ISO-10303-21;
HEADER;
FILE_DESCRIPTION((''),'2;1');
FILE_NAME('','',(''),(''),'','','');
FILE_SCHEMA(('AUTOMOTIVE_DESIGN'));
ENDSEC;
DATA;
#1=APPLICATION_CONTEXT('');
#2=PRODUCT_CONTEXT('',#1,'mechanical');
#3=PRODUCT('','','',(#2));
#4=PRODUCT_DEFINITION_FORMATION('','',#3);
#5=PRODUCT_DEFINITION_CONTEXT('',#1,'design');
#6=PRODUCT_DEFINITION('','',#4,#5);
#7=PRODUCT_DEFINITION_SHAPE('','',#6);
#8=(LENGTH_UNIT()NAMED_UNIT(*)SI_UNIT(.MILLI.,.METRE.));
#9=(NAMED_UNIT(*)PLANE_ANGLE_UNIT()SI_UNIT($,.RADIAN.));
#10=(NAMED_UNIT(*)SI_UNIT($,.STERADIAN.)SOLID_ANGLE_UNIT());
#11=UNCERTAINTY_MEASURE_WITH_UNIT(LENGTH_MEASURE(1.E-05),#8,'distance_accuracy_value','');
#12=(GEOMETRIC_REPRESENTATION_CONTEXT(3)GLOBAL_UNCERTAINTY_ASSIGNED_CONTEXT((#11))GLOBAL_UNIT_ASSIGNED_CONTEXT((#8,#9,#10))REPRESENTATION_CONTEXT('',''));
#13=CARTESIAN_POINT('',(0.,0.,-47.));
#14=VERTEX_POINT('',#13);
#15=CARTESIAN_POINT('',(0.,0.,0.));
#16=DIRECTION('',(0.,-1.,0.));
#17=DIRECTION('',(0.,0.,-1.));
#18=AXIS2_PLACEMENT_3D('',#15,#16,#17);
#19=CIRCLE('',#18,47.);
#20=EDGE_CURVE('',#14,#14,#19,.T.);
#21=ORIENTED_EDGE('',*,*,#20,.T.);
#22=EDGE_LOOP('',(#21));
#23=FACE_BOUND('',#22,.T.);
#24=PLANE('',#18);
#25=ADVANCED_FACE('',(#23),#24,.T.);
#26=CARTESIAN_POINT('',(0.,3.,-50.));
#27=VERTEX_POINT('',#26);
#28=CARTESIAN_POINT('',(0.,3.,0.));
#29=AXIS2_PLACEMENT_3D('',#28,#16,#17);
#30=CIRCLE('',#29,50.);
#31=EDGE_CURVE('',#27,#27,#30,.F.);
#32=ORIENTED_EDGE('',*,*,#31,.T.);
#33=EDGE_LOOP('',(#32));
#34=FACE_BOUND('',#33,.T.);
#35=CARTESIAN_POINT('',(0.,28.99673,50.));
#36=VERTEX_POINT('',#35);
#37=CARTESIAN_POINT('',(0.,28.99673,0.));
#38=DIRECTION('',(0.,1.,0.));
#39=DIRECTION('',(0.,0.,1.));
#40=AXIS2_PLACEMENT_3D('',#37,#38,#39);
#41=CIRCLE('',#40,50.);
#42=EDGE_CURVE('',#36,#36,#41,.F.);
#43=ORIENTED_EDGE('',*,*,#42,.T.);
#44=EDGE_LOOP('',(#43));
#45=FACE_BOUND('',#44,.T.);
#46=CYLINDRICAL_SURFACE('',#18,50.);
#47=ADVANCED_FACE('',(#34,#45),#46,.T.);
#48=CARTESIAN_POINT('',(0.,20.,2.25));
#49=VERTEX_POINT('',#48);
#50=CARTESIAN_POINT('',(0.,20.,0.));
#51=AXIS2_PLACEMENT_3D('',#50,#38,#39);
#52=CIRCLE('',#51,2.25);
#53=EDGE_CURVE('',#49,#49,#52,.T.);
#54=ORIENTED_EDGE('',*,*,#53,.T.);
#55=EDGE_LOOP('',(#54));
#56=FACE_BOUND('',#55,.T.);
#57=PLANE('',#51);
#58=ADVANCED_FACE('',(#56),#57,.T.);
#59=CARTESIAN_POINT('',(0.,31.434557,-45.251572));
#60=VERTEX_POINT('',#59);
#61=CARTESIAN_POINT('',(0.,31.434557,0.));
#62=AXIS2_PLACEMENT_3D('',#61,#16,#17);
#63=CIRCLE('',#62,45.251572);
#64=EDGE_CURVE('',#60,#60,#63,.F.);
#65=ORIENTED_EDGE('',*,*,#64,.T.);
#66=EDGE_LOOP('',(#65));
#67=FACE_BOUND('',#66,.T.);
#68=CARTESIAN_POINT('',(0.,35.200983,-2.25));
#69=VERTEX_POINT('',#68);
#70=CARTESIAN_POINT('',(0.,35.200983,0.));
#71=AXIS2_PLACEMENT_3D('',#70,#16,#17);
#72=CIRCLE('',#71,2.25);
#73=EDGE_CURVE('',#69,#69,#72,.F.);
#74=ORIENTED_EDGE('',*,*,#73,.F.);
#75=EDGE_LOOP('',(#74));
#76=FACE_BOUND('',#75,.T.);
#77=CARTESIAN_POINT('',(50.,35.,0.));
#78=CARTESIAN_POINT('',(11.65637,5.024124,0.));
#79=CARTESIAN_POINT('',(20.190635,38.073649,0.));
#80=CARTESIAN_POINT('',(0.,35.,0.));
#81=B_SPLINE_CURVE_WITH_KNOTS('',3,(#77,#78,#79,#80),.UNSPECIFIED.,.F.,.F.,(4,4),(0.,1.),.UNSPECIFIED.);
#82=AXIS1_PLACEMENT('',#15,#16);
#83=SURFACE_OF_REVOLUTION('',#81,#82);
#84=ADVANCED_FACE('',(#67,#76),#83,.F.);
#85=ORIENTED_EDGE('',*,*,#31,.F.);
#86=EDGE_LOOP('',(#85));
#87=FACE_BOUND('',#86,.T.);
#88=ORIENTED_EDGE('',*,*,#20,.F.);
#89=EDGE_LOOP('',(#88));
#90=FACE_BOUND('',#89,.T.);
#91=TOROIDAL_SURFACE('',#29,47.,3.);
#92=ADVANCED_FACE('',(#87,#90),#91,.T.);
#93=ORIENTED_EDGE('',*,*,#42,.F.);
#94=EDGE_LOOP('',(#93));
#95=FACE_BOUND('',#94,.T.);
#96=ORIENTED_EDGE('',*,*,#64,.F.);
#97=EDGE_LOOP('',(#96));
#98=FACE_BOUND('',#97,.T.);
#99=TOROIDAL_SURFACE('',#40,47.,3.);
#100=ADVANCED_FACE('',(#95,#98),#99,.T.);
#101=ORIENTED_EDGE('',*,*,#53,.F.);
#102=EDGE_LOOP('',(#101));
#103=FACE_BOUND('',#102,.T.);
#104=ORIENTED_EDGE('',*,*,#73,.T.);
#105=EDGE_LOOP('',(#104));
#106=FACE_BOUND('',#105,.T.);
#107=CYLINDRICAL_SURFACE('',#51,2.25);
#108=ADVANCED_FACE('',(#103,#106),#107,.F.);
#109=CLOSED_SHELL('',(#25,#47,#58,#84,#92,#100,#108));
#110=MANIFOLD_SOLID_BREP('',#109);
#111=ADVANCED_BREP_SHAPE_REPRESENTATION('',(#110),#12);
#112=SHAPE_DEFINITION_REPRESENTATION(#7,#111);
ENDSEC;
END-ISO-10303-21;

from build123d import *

# Parameters (mm, degrees)
FILLET1_R          = 3
SKETCH2_R          = 2.25
CUT_EXTRUDE1_DEPTH = 30


with BuildPart() as part:
    # Sketch1 → Revolve1 (revolve)
    with BuildSketch(Plane.XY, mode=Mode.PRIVATE) as revolve1_sk:
        with BuildLine():
            Line((0, 0), (50, 0))
            Line((50, 0), (50, 35))
            add(Edge.make_bspline(
                [(0, 35), (20.190635026, 38.073649128), (11.656369597, 5.024124106), (50, 35)],
                knots=[0, 0, 0, 0, 1, 1, 1, 1], degree=3))
            Line((0, 35), (0, 0))
        make_face()
    revolve(revolve1_sk.sketch.rotate(Axis((0, 0, 0), (0, 1, 0)), 90), axis=Axis((0, 0, 0), (0, 1, 0)))

    # Fillet1
    fillet1_edges = [part.edges().sort_by_distance(p)[0] for p in [
        (0, 35, 50),
        (0, 0, 50),
    ]]
    fillet(fillet1_edges, radius=FILLET1_R)

    # Sketch2 → Cut-Extrude1 (cut)
    with BuildSketch(Plane(origin=(0, 50, 0), x_dir=(1, 0, 0), z_dir=(0, 1, 0))):
        with Locations(Location((0, 0, 0), (0, 0, 270))):
            Circle(SKETCH2_R)
    extrude(amount=-CUT_EXTRUDE1_DEPTH, mode=Mode.SUBTRACT)


solid = part.part
